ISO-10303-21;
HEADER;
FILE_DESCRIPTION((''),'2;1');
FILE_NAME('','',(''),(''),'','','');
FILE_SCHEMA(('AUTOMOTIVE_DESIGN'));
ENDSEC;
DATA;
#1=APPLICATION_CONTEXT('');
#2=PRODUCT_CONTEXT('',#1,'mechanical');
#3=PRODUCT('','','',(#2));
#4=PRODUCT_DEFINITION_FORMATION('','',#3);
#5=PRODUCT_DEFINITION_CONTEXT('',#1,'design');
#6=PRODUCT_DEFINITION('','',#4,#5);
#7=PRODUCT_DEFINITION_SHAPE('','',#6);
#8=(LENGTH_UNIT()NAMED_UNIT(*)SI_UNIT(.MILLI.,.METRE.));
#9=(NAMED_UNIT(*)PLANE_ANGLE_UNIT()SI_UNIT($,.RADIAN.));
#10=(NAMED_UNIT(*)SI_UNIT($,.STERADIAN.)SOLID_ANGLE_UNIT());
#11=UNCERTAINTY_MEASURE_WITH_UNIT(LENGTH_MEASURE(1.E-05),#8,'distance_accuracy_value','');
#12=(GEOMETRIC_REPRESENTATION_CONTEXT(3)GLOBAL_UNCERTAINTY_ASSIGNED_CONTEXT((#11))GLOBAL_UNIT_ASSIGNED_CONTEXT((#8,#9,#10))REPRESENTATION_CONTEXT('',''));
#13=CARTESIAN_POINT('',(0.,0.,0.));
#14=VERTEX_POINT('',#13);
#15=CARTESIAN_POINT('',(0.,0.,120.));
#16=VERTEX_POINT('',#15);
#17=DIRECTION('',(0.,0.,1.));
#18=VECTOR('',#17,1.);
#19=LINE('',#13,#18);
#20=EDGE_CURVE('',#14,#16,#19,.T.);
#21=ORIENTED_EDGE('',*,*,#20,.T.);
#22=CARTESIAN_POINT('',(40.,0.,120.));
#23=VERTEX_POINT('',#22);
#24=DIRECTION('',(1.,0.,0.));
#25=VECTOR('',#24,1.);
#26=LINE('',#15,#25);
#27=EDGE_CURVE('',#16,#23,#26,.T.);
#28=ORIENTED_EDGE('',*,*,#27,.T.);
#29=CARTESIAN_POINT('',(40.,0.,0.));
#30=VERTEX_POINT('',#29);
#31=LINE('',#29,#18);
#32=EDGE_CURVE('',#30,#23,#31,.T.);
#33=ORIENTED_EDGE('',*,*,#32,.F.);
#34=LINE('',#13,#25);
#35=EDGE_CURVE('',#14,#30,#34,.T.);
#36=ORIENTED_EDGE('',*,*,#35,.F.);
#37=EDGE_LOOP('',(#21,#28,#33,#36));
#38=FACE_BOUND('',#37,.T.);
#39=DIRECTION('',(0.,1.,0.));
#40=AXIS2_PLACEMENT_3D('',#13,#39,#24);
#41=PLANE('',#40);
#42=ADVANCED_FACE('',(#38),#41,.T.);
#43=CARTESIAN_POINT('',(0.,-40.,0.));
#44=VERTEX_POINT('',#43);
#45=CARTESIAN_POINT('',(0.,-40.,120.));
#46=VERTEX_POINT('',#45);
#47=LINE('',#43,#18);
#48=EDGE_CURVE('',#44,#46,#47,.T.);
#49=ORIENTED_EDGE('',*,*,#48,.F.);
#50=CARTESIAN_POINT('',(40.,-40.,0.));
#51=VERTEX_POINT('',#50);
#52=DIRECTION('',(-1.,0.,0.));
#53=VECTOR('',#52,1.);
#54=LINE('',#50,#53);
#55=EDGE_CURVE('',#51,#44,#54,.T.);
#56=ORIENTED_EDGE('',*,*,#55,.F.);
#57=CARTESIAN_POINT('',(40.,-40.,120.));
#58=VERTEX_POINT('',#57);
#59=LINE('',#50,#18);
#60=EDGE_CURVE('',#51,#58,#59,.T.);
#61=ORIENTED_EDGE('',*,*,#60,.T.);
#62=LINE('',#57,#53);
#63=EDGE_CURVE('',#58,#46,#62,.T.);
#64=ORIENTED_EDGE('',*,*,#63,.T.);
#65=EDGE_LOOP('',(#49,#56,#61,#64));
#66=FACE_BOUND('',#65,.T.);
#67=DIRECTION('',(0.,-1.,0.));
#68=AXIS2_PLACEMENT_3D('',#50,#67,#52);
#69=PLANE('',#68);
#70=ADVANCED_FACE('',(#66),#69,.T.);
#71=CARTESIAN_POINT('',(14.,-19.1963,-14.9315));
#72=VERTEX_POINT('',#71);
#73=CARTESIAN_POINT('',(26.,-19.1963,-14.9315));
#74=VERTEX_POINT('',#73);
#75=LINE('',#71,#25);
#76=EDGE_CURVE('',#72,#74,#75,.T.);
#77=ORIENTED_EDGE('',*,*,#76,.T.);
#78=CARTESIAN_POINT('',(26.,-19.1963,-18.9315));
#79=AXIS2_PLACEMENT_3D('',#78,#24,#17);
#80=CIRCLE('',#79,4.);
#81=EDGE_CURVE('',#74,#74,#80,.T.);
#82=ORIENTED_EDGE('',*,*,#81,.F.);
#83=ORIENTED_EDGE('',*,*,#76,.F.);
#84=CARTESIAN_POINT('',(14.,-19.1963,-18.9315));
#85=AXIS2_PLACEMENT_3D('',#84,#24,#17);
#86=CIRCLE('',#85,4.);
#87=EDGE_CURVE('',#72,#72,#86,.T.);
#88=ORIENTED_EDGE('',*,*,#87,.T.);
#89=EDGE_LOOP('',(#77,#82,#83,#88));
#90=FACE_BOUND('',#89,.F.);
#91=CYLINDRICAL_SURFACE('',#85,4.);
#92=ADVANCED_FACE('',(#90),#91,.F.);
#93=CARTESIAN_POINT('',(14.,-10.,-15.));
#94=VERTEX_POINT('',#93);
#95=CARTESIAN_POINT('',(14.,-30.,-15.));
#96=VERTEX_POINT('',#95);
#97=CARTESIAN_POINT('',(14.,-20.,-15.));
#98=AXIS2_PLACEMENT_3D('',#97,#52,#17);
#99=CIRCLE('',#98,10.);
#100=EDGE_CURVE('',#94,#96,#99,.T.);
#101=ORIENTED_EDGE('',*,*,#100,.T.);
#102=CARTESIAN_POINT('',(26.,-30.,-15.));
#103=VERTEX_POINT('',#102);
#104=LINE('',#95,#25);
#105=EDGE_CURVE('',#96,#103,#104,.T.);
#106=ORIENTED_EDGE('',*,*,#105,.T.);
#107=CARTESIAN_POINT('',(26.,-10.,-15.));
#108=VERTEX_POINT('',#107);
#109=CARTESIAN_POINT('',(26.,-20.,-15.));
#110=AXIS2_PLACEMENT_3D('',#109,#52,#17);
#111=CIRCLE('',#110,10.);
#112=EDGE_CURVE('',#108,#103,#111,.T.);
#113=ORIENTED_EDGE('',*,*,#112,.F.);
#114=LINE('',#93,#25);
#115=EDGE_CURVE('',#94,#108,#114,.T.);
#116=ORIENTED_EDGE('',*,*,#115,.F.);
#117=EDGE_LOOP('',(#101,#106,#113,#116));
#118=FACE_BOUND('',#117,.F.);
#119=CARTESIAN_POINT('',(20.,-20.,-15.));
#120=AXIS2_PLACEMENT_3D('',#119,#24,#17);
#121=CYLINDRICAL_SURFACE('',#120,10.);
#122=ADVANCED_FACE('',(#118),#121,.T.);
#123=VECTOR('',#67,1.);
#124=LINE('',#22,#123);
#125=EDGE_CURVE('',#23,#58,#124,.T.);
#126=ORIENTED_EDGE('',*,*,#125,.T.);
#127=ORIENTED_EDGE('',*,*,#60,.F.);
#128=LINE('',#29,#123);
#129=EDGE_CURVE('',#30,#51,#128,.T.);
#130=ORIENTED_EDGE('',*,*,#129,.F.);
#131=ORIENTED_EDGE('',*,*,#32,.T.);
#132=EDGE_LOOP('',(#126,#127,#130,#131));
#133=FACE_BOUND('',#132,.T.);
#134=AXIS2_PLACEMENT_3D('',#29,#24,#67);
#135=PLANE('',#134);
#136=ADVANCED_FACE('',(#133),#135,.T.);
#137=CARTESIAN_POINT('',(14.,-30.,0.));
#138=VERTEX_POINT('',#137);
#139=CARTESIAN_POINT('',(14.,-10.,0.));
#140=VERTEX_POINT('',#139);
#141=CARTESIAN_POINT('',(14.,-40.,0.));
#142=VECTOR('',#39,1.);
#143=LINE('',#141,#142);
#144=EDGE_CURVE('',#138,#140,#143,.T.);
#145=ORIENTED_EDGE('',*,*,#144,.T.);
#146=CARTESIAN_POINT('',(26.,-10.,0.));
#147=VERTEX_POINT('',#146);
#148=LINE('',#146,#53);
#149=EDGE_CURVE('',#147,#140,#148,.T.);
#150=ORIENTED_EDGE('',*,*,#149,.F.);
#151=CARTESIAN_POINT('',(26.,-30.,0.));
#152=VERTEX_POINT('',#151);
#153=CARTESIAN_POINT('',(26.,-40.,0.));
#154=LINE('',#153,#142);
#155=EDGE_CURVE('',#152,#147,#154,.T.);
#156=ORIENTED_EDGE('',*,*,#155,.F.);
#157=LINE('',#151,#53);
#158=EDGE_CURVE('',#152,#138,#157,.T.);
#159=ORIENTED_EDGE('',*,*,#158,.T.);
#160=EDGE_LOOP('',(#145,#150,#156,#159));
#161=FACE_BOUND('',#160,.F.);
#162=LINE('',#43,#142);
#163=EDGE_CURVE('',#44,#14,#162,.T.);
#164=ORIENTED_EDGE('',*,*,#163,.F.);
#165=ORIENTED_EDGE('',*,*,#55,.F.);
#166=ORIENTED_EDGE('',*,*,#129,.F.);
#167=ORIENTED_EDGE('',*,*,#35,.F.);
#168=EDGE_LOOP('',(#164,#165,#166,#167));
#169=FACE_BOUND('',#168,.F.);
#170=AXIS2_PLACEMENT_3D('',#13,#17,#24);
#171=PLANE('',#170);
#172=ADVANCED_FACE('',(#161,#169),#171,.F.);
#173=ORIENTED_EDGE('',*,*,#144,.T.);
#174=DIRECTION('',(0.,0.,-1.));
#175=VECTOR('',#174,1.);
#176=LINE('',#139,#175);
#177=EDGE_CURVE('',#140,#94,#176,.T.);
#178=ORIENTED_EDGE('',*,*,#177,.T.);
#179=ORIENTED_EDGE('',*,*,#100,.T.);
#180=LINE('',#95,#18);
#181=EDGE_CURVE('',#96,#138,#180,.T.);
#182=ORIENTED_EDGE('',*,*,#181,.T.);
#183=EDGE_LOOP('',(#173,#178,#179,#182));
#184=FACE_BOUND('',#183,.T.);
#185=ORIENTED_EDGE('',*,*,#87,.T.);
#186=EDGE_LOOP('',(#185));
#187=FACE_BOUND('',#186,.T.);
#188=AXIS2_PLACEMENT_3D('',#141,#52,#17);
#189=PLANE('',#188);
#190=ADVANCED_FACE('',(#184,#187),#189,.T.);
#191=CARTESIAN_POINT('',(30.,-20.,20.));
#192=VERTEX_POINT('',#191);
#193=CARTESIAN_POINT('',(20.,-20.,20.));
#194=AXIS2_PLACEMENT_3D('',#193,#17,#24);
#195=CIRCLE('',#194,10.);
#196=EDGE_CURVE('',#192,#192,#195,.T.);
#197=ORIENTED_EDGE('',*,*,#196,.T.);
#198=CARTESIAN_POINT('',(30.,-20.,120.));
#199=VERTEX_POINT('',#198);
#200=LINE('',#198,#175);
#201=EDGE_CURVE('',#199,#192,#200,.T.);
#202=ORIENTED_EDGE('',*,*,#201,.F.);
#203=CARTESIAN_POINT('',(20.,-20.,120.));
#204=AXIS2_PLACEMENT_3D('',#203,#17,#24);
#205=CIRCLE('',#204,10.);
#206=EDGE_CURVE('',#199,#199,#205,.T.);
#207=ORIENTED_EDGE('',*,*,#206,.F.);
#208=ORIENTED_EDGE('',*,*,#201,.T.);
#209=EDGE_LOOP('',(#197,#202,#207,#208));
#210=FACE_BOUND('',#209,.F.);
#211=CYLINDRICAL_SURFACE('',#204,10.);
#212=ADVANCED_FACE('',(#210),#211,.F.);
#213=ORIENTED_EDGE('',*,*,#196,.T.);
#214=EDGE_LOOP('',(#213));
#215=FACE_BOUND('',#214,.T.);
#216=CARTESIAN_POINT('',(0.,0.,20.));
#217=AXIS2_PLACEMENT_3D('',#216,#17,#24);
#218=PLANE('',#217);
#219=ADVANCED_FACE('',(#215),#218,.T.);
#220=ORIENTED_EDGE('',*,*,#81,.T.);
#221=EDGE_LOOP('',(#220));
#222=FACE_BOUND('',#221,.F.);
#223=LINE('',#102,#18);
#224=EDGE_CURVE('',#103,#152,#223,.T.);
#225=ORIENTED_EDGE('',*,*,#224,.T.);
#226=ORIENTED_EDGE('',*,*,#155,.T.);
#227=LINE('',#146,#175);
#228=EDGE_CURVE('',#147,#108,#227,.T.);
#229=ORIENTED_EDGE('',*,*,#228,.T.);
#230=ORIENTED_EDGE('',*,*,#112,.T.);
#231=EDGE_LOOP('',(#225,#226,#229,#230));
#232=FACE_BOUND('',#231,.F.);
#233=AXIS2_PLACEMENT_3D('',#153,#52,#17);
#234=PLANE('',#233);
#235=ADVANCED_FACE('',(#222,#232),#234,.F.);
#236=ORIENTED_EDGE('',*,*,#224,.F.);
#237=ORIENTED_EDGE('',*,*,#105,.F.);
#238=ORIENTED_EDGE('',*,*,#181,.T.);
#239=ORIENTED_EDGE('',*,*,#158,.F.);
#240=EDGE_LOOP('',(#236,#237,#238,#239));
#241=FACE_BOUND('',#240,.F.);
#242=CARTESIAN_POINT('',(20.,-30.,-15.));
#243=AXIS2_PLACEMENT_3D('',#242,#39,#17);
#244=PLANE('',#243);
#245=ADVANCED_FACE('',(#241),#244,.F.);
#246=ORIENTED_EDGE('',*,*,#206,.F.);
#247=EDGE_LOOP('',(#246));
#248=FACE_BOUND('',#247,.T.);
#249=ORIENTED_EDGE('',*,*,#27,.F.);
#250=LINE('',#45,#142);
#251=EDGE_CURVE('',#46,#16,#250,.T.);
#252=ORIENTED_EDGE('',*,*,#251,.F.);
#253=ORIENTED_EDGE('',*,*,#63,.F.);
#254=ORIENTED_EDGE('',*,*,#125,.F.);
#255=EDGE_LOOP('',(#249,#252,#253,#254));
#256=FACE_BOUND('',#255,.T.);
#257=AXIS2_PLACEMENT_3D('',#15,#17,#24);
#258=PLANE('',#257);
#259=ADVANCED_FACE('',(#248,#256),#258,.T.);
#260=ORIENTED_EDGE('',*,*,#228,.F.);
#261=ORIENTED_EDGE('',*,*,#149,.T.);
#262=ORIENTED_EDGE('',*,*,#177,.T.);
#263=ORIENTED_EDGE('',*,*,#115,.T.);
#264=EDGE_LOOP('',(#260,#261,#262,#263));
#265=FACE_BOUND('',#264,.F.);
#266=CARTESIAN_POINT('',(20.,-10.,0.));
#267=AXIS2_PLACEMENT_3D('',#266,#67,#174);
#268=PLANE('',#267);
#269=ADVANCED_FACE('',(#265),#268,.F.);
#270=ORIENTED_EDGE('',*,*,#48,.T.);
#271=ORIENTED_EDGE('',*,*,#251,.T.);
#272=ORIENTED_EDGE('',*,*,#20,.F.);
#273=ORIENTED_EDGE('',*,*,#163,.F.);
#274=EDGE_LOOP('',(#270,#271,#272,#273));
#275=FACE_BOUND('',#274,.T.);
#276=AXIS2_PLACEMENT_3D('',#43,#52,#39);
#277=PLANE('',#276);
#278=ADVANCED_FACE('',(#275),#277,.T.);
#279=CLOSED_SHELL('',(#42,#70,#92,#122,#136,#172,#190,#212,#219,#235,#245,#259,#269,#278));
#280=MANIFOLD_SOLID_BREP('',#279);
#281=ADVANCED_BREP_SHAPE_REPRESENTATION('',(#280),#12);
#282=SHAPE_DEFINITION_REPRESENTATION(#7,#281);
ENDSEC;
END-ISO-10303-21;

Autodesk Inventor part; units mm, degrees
ref_plane "YZ Plane" through (0, 0, 0) normal (1, 0, 0) x (0, 1, 0)
ref_plane "XZ Plane" through (0, 0, 0) normal (0, 1, 0) x (-1, 0, 0)
ref_plane "XY Plane" through (0, 0, 0) normal (0, 0, 1) x (1, 0, 0)
sketch "Boceto1" plane through (0, 0, 0) normal (0, 0, 1) x (1, 0, 0)
  line L0 (0, 0) -> (40, 0)
  line L1 (40, 0) -> (40, -40)
  line L2 (40, -40) -> (0, -40)
  line L3 (0, -40) -> (0, 0)
  dimension "d0" = 40
  dimension "d1" = 40
extrude "Extrusión1" add sketch "Boceto1" along normal blind 120
sketch "Boceto2" plane through (0, 0, 120) normal (0, 0, 1) x (1, 0, 0)
  circle A0 centre (20, -20) radius 10
  line L0 (0, 0) -> (0, -40) projected
  line L1 (40, 0) -> (0, 0) projected
  dimension "d4" = 20
  dimension "d5" = 20
  dimension "d6" = 20
extrude "Extrusión2" cut sketch "Boceto2" against normal blind 100
ref_plane "Plano de trabajo1" through (20, -40, 0) normal (-1, 0, 0) x (0, 0, 1)
sketch "Boceto5" plane through (20, -40, 0) normal (-1, 0, 0) x (0, 0, 1)
  line L0 (0, 0) -> (0, 40) projected
  line L1 (0, 30) -> (-15, 30)
  line L2 (-15, 30) -> (-15, 10)
  line L3 (-15, 10) -> (0, 10)
  line L4 (0, 10) -> (0, 30)
  line L5 (0, 40) -> (120, 40) projected
  circle A0 centre (-15, 20) radius 10
  dimension "d10" = 15
  dimension "d11" = 20
  dimension "d12" = 30
extrude "Extrusión3" add sketch "Boceto5" along normal mid plane 12
hole "Agujero1" at (14, -19.1963, -18.9315) direction (1, 0, 0) diameter 8 end through all
properties part number "cilindro sierra"
